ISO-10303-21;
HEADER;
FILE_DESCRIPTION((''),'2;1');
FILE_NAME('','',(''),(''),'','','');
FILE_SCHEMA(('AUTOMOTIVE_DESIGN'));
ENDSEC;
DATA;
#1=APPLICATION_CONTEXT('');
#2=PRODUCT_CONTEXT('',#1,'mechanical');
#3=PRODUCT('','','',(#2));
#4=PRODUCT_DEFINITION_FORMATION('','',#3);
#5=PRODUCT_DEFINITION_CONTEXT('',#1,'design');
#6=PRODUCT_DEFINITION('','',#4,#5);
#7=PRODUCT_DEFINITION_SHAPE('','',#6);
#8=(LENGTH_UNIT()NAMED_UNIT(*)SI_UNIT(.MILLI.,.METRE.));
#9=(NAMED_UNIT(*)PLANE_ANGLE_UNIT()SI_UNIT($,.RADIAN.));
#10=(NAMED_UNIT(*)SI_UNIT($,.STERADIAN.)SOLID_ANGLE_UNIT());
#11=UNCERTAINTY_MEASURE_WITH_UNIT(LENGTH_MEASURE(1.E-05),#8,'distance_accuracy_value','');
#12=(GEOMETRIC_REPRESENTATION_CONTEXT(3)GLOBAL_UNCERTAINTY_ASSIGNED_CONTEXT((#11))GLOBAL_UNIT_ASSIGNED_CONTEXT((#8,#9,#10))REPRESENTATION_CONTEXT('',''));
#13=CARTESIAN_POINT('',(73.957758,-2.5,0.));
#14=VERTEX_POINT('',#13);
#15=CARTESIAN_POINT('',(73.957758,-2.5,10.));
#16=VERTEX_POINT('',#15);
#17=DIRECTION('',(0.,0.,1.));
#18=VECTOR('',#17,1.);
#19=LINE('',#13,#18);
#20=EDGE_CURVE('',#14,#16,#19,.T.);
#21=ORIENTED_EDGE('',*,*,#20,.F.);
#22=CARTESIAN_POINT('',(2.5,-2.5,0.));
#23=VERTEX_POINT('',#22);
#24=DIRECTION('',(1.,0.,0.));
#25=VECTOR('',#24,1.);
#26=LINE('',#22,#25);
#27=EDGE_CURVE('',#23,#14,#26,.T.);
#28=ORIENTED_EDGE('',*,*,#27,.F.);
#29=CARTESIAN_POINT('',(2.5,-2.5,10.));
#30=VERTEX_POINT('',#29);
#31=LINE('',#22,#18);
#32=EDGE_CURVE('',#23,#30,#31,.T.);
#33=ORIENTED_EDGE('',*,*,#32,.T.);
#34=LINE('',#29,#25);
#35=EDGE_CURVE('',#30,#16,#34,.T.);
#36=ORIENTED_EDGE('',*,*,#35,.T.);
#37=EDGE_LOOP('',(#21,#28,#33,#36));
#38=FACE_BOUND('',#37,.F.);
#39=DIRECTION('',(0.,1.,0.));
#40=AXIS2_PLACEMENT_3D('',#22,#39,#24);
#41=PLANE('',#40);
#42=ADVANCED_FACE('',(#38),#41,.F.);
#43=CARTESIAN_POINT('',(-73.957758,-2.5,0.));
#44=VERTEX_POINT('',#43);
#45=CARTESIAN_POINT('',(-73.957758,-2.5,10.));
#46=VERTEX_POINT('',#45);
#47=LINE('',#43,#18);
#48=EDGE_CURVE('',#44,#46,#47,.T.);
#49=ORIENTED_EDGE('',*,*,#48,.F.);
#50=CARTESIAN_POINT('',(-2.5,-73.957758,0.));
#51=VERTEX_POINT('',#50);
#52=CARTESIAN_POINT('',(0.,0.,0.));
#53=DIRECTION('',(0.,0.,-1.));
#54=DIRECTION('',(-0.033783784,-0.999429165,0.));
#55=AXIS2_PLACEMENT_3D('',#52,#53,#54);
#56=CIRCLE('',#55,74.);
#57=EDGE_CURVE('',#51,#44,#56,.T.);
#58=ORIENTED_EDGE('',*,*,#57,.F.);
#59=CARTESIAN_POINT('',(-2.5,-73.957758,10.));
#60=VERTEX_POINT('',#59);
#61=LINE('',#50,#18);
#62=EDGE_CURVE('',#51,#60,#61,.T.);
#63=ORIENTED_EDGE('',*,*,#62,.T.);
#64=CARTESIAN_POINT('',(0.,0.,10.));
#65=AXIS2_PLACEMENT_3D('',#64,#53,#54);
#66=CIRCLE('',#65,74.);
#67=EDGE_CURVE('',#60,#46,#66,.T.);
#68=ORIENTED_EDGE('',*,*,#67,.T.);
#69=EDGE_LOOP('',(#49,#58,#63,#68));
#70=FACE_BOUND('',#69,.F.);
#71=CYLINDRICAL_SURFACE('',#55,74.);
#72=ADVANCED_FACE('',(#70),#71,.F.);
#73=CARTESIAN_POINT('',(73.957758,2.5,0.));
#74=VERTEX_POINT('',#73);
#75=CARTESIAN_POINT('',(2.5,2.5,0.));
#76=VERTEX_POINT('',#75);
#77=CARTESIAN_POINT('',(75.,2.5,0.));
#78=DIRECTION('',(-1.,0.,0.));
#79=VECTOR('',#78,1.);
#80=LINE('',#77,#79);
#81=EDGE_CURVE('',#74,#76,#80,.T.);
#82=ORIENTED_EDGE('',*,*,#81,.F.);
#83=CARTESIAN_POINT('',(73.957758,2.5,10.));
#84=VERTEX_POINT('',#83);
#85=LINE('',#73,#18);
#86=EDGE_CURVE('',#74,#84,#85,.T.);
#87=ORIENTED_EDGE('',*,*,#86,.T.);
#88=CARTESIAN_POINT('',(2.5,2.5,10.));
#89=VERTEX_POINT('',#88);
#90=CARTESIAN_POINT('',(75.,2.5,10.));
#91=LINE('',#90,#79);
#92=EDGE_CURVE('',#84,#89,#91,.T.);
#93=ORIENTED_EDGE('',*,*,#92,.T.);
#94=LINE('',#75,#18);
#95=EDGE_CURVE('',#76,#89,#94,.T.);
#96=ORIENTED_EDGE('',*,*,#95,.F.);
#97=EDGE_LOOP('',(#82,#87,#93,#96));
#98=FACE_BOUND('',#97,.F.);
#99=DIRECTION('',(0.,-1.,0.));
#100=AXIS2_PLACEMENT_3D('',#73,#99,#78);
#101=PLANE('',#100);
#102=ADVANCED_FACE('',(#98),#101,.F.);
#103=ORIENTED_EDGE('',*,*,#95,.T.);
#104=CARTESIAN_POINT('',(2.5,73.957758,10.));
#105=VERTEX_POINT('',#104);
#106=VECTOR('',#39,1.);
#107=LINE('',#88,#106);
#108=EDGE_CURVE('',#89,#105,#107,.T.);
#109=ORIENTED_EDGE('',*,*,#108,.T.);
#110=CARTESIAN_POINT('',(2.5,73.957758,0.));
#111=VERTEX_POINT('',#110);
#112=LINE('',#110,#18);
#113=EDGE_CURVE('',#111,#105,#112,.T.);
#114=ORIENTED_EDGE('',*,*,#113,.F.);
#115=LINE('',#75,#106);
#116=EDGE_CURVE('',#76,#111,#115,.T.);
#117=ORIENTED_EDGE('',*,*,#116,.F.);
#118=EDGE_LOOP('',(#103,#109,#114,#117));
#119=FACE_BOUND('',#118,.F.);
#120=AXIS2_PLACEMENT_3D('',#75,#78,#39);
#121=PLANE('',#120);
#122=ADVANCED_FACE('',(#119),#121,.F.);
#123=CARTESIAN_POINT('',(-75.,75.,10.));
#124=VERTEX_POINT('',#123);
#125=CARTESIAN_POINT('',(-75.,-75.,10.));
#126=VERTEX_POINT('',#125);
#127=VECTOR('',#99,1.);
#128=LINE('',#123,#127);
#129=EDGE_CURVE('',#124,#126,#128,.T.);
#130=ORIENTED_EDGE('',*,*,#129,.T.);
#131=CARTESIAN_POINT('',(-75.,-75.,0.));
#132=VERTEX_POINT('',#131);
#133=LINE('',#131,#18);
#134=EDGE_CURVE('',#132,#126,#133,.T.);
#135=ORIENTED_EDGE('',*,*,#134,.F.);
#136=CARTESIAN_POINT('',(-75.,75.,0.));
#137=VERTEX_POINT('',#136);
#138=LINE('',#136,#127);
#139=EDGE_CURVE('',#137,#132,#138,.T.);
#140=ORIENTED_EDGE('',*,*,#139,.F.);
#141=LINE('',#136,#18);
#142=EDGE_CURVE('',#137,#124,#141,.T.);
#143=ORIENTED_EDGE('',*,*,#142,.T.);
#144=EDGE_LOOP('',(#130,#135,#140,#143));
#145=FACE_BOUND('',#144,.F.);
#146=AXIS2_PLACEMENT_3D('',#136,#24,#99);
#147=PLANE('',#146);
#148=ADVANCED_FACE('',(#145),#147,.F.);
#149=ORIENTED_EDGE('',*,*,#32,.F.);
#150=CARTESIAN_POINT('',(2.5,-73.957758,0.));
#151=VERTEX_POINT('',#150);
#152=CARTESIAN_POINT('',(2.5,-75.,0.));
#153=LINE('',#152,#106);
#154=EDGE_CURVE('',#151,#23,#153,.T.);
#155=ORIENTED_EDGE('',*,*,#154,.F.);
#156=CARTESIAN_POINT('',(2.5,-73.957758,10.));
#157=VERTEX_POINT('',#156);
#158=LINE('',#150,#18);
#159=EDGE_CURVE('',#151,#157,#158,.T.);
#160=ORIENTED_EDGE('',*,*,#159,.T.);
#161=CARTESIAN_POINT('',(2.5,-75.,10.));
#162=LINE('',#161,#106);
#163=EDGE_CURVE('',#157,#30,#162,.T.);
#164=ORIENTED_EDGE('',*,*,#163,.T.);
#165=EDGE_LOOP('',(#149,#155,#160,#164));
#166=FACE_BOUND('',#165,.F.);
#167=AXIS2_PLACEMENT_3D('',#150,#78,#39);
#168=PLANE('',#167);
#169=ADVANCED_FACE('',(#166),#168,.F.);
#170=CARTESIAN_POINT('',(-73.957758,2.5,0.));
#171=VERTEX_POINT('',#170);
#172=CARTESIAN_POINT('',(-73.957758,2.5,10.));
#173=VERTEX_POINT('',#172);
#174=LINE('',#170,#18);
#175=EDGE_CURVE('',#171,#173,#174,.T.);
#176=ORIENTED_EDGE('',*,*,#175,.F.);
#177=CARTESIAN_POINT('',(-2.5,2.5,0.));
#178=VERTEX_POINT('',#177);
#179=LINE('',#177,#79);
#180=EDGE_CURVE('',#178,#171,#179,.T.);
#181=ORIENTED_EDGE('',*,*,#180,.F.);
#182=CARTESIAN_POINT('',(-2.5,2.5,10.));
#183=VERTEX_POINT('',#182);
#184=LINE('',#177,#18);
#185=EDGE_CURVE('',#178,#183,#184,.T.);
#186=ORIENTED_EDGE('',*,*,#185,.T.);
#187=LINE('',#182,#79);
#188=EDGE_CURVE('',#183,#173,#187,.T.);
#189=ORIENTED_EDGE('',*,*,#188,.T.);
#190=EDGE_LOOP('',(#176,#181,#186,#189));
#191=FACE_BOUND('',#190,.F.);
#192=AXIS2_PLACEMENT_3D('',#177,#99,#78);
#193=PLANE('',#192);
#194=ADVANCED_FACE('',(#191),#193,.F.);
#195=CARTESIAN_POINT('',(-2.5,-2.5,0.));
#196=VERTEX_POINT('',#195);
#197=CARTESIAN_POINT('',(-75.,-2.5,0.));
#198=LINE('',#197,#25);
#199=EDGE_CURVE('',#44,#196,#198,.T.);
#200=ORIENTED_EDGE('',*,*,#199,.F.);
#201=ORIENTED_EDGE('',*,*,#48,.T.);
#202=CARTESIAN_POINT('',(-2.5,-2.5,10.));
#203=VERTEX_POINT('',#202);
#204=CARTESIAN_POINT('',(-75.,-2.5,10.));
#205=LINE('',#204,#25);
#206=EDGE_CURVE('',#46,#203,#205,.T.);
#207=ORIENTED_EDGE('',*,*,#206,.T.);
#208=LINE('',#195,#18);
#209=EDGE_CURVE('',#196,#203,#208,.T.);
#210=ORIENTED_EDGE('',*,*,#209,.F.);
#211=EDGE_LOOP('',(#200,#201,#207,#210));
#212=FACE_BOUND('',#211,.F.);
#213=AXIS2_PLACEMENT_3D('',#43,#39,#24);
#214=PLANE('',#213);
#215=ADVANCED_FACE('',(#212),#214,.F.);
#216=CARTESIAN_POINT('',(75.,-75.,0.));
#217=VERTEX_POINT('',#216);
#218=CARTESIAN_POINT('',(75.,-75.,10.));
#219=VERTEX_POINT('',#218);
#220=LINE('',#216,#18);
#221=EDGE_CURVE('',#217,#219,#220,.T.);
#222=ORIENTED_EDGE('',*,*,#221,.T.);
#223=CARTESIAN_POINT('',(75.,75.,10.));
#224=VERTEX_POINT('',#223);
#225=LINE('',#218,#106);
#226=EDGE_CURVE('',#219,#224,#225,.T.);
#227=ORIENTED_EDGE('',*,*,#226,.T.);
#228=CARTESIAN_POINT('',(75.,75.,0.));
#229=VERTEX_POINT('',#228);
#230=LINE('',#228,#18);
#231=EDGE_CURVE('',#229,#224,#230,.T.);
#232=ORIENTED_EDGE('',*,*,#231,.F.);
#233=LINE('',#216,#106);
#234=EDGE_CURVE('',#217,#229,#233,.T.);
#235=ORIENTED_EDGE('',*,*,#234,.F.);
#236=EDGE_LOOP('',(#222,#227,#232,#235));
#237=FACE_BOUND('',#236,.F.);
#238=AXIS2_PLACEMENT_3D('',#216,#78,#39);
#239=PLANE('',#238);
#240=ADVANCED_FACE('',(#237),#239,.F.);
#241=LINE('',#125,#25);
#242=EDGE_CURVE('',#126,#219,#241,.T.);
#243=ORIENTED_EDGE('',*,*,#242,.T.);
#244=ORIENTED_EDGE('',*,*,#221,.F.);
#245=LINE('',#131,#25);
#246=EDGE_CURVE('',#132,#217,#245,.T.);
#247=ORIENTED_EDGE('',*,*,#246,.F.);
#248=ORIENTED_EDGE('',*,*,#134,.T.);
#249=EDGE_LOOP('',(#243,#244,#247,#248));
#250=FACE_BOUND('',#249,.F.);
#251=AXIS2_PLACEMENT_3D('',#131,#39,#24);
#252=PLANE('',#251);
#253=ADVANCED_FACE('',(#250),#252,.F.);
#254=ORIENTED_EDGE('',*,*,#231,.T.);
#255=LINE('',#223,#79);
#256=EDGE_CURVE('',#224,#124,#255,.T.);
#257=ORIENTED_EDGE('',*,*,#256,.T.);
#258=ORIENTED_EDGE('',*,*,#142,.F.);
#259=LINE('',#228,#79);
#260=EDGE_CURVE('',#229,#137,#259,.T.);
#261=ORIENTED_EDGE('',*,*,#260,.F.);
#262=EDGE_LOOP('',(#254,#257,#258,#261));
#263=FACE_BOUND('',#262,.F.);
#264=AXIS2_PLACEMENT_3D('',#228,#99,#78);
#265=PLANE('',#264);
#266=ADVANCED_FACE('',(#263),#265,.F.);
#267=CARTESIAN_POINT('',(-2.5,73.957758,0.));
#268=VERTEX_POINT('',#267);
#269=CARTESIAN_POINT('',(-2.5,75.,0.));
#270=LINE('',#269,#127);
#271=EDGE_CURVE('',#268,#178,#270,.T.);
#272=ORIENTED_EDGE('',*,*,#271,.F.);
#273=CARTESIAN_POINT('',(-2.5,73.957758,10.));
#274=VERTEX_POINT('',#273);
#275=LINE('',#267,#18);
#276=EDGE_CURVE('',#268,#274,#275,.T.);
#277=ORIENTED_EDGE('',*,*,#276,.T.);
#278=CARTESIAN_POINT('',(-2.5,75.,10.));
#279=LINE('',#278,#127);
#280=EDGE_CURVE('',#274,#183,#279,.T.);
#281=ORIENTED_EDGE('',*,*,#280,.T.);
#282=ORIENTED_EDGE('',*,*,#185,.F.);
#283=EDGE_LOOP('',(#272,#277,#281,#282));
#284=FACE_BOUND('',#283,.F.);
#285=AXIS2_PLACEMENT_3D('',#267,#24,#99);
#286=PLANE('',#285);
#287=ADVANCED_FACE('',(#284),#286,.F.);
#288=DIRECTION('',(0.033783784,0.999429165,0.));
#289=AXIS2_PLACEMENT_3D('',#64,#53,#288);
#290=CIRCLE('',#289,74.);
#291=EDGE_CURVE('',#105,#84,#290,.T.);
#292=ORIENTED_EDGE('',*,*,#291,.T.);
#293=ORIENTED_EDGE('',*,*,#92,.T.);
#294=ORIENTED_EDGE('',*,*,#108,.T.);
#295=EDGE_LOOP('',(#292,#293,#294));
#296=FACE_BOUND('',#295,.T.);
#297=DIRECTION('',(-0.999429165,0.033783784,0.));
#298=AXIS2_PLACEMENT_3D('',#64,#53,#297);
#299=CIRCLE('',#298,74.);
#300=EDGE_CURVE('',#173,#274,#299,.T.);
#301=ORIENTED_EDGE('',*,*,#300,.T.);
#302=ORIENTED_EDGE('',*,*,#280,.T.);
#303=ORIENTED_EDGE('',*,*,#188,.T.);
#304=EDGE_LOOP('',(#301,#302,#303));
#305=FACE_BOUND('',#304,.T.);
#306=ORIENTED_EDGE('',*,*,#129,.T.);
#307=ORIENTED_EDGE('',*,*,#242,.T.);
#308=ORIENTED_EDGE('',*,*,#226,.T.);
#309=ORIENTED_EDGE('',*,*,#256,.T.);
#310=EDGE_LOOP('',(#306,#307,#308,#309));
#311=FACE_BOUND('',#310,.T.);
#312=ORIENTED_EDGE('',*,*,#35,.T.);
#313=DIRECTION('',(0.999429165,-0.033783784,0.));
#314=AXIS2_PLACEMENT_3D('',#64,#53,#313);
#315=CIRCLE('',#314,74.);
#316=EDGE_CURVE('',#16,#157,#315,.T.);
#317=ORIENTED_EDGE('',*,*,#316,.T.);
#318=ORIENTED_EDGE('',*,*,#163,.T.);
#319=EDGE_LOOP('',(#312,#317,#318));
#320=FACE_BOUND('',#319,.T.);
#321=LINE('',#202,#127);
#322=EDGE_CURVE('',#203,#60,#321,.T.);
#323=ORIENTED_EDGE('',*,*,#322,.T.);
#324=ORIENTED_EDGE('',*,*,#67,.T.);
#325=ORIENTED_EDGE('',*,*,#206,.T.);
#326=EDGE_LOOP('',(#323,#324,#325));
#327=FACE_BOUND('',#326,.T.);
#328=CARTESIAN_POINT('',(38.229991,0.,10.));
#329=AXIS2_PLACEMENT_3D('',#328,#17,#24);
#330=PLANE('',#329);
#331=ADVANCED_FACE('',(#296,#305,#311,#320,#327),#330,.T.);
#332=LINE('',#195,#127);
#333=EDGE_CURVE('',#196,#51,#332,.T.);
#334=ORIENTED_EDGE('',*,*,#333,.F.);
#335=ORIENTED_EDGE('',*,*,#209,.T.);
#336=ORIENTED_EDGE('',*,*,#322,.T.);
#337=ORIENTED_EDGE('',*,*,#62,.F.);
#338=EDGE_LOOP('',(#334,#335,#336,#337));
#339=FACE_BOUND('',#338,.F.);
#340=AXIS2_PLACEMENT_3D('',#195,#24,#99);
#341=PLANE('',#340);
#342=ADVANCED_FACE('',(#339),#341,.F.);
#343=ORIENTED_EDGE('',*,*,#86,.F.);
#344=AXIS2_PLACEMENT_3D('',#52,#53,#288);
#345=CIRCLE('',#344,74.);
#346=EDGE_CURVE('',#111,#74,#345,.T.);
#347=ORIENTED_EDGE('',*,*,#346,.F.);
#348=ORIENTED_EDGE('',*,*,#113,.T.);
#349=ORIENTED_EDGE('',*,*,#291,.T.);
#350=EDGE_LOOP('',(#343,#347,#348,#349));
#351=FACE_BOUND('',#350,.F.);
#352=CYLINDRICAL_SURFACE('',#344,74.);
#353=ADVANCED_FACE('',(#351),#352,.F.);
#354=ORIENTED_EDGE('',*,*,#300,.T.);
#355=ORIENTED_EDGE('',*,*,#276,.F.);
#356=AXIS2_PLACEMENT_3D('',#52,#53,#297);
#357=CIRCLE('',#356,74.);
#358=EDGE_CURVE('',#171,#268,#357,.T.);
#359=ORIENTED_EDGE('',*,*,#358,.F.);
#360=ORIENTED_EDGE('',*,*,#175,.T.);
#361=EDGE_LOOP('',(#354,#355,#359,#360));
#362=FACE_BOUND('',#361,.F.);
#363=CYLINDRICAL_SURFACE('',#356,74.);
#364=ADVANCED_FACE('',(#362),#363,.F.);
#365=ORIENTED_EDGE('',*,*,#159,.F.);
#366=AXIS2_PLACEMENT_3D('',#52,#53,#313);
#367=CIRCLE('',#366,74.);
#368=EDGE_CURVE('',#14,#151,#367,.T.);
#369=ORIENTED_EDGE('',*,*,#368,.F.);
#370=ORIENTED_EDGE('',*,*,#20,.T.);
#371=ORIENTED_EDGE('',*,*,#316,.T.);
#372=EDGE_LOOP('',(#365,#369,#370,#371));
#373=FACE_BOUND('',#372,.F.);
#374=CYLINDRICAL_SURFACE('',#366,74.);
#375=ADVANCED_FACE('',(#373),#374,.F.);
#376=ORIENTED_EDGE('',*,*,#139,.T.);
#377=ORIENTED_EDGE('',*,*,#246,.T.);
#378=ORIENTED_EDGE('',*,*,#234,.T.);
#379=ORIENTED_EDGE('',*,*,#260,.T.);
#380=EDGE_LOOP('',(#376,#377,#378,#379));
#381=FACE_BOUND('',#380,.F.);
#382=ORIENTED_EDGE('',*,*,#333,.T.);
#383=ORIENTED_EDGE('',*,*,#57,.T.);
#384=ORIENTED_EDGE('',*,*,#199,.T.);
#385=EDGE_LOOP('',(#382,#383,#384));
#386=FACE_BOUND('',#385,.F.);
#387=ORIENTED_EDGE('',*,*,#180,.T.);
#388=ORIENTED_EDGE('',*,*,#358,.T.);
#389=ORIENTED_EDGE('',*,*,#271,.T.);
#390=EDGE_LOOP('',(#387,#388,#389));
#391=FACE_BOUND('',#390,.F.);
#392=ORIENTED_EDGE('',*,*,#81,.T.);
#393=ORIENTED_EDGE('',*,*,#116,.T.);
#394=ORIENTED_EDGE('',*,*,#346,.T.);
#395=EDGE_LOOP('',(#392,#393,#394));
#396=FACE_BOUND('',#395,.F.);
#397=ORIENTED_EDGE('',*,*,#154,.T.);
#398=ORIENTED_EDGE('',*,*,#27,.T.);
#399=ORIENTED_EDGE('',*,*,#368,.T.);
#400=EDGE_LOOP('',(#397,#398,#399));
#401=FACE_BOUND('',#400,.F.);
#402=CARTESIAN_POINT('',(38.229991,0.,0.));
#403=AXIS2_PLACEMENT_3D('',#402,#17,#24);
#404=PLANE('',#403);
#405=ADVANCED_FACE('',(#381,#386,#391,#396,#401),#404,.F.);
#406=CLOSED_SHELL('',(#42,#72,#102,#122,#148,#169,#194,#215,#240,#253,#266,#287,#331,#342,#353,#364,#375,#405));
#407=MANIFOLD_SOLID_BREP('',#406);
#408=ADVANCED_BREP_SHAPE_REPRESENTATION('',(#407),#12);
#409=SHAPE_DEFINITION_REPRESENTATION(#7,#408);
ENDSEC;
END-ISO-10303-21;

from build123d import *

# Parameters (mm, degrees)
F0_W     = 5
F0_H     = 5
F1_DEPTH = 10


with BuildPart() as f1:
    # F0 (on Top) → F1 (new body)
    with BuildSketch(Plane.XY):
        with BuildLine():
            Line((2.5, -2.5), (73.9577582137, -2.5))
            ThreePointArc((73.9577582137, -2.5), (73.9894387998, -1.2501784241), (74, 0))
            ThreePointArc((74, 0), (73.9894387998, 1.2501784241), (73.9577582137, 2.5))
            Line((73.9577582137, 2.5), (2.5, 2.5))
            Line((2.5, 2.5), (2.5, -2.5))
        make_face()
        with BuildLine():
            Line((-2.5, 2.5), (2.5, 2.5))
            Line((2.5, 2.5), (2.5, 73.9577582137))
            ThreePointArc((2.5, 73.9577582137), (0, 74), (-2.5, 73.9577582137))
            Line((-2.5, 73.9577582137), (-2.5, 2.5))
        make_face()
        with BuildLine():
            ThreePointArc((-2.5, -73.9577582137), (0, -74), (2.5, -73.9577582137))
            Line((2.5, -73.9577582137), (2.5, -2.5))
            Line((2.5, -2.5), (-2.5, -2.5))
            Line((-2.5, -2.5), (-2.5, -73.9577582137))
        make_face()
        with BuildLine():
            Line((-75, 2.5), (-75, -2.5))
            Line((-75, -2.5), (-73.9577582137, -2.5))
            ThreePointArc((-73.9577582137, -2.5), (-74, 0), (-73.9577582137, 2.5))
            Line((-73.9577582137, 2.5), (-75, 2.5))
        make_face()
        with BuildLine():
            Line((2.5, 73.9577582137), (2.5, 75))
            Line((2.5, 75), (-2.5, 75))
            Line((-2.5, 75), (-2.5, 73.9577582137))
            ThreePointArc((-2.5, 73.9577582137), (0, 74), (2.5, 73.9577582137))
        make_face()
        with BuildLine():
            Line((-2.5, -75), (2.5, -75))
            Line((2.5, -75), (2.5, -73.9577582137))
            ThreePointArc((2.5, -73.9577582137), (0, -74), (-2.5, -73.9577582137))
            Line((-2.5, -73.9577582137), (-2.5, -75))
        make_face()
        with BuildLine():
            Line((-73.9577582137, -2.5), (-2.5, -2.5))
            Line((-2.5, -2.5), (-2.5, 2.5))
            Line((-2.5, 2.5), (-73.9577582137, 2.5))
            ThreePointArc((-73.9577582137, 2.5), (-74, 0), (-73.9577582137, -2.5))
        make_face()
        with BuildLine():
            Line((73.9577582137, -2.5), (75, -2.5))
            Line((75, -2.5), (75, 2.5))
            Line((75, 2.5), (73.9577582137, 2.5))
            ThreePointArc((73.9577582137, 2.5), (73.9894387998, 1.2501784241), (74, 0))
            ThreePointArc((74, 0), (73.9894387998, -1.2501784241), (73.9577582137, -2.5))
        make_face()
        Rectangle(F0_W, F0_H)
        with BuildLine():
            Line((-75, -75), (-2.5, -75))
            Line((-2.5, -75), (-2.5, -73.9577582137))
            ThreePointArc((-2.5, -73.9577582137), (-52.3259018078, -52.3259018078), (-73.9577582137, -2.5))
            Line((-73.9577582137, -2.5), (-75, -2.5))
            Line((-75, -2.5), (-75, -75))
        make_face()
        with BuildLine():
            Line((2.5, -75), (75, -75))
            Line((75, -75), (75, -2.5))
            Line((75, -2.5), (73.9577582137, -2.5))
            ThreePointArc((73.9577582137, -2.5), (52.3259018078, -52.3259018078), (2.5, -73.9577582137))
            Line((2.5, -73.9577582137), (2.5, -75))
        make_face()
        with BuildLine():
            Line((-75, 75), (-75, 2.5))
            Line((-75, 2.5), (-73.9577582137, 2.5))
            ThreePointArc((-73.9577582137, 2.5), (-52.3259018078, 52.3259018078), (-2.5, 73.9577582137))
            Line((-2.5, 73.9577582137), (-2.5, 75))
            Line((-2.5, 75), (-75, 75))
        make_face()
        with BuildLine():
            Line((73.9577582137, 2.5), (75, 2.5))
            Line((75, 2.5), (75, 75))
            Line((75, 75), (2.5, 75))
            Line((2.5, 75), (2.5, 73.9577582137))
            ThreePointArc((2.5, 73.9577582137), (52.3259018078, 52.3259018078), (73.9577582137, 2.5))
        make_face()
    extrude(amount=F1_DEPTH)


solid = f1.part
